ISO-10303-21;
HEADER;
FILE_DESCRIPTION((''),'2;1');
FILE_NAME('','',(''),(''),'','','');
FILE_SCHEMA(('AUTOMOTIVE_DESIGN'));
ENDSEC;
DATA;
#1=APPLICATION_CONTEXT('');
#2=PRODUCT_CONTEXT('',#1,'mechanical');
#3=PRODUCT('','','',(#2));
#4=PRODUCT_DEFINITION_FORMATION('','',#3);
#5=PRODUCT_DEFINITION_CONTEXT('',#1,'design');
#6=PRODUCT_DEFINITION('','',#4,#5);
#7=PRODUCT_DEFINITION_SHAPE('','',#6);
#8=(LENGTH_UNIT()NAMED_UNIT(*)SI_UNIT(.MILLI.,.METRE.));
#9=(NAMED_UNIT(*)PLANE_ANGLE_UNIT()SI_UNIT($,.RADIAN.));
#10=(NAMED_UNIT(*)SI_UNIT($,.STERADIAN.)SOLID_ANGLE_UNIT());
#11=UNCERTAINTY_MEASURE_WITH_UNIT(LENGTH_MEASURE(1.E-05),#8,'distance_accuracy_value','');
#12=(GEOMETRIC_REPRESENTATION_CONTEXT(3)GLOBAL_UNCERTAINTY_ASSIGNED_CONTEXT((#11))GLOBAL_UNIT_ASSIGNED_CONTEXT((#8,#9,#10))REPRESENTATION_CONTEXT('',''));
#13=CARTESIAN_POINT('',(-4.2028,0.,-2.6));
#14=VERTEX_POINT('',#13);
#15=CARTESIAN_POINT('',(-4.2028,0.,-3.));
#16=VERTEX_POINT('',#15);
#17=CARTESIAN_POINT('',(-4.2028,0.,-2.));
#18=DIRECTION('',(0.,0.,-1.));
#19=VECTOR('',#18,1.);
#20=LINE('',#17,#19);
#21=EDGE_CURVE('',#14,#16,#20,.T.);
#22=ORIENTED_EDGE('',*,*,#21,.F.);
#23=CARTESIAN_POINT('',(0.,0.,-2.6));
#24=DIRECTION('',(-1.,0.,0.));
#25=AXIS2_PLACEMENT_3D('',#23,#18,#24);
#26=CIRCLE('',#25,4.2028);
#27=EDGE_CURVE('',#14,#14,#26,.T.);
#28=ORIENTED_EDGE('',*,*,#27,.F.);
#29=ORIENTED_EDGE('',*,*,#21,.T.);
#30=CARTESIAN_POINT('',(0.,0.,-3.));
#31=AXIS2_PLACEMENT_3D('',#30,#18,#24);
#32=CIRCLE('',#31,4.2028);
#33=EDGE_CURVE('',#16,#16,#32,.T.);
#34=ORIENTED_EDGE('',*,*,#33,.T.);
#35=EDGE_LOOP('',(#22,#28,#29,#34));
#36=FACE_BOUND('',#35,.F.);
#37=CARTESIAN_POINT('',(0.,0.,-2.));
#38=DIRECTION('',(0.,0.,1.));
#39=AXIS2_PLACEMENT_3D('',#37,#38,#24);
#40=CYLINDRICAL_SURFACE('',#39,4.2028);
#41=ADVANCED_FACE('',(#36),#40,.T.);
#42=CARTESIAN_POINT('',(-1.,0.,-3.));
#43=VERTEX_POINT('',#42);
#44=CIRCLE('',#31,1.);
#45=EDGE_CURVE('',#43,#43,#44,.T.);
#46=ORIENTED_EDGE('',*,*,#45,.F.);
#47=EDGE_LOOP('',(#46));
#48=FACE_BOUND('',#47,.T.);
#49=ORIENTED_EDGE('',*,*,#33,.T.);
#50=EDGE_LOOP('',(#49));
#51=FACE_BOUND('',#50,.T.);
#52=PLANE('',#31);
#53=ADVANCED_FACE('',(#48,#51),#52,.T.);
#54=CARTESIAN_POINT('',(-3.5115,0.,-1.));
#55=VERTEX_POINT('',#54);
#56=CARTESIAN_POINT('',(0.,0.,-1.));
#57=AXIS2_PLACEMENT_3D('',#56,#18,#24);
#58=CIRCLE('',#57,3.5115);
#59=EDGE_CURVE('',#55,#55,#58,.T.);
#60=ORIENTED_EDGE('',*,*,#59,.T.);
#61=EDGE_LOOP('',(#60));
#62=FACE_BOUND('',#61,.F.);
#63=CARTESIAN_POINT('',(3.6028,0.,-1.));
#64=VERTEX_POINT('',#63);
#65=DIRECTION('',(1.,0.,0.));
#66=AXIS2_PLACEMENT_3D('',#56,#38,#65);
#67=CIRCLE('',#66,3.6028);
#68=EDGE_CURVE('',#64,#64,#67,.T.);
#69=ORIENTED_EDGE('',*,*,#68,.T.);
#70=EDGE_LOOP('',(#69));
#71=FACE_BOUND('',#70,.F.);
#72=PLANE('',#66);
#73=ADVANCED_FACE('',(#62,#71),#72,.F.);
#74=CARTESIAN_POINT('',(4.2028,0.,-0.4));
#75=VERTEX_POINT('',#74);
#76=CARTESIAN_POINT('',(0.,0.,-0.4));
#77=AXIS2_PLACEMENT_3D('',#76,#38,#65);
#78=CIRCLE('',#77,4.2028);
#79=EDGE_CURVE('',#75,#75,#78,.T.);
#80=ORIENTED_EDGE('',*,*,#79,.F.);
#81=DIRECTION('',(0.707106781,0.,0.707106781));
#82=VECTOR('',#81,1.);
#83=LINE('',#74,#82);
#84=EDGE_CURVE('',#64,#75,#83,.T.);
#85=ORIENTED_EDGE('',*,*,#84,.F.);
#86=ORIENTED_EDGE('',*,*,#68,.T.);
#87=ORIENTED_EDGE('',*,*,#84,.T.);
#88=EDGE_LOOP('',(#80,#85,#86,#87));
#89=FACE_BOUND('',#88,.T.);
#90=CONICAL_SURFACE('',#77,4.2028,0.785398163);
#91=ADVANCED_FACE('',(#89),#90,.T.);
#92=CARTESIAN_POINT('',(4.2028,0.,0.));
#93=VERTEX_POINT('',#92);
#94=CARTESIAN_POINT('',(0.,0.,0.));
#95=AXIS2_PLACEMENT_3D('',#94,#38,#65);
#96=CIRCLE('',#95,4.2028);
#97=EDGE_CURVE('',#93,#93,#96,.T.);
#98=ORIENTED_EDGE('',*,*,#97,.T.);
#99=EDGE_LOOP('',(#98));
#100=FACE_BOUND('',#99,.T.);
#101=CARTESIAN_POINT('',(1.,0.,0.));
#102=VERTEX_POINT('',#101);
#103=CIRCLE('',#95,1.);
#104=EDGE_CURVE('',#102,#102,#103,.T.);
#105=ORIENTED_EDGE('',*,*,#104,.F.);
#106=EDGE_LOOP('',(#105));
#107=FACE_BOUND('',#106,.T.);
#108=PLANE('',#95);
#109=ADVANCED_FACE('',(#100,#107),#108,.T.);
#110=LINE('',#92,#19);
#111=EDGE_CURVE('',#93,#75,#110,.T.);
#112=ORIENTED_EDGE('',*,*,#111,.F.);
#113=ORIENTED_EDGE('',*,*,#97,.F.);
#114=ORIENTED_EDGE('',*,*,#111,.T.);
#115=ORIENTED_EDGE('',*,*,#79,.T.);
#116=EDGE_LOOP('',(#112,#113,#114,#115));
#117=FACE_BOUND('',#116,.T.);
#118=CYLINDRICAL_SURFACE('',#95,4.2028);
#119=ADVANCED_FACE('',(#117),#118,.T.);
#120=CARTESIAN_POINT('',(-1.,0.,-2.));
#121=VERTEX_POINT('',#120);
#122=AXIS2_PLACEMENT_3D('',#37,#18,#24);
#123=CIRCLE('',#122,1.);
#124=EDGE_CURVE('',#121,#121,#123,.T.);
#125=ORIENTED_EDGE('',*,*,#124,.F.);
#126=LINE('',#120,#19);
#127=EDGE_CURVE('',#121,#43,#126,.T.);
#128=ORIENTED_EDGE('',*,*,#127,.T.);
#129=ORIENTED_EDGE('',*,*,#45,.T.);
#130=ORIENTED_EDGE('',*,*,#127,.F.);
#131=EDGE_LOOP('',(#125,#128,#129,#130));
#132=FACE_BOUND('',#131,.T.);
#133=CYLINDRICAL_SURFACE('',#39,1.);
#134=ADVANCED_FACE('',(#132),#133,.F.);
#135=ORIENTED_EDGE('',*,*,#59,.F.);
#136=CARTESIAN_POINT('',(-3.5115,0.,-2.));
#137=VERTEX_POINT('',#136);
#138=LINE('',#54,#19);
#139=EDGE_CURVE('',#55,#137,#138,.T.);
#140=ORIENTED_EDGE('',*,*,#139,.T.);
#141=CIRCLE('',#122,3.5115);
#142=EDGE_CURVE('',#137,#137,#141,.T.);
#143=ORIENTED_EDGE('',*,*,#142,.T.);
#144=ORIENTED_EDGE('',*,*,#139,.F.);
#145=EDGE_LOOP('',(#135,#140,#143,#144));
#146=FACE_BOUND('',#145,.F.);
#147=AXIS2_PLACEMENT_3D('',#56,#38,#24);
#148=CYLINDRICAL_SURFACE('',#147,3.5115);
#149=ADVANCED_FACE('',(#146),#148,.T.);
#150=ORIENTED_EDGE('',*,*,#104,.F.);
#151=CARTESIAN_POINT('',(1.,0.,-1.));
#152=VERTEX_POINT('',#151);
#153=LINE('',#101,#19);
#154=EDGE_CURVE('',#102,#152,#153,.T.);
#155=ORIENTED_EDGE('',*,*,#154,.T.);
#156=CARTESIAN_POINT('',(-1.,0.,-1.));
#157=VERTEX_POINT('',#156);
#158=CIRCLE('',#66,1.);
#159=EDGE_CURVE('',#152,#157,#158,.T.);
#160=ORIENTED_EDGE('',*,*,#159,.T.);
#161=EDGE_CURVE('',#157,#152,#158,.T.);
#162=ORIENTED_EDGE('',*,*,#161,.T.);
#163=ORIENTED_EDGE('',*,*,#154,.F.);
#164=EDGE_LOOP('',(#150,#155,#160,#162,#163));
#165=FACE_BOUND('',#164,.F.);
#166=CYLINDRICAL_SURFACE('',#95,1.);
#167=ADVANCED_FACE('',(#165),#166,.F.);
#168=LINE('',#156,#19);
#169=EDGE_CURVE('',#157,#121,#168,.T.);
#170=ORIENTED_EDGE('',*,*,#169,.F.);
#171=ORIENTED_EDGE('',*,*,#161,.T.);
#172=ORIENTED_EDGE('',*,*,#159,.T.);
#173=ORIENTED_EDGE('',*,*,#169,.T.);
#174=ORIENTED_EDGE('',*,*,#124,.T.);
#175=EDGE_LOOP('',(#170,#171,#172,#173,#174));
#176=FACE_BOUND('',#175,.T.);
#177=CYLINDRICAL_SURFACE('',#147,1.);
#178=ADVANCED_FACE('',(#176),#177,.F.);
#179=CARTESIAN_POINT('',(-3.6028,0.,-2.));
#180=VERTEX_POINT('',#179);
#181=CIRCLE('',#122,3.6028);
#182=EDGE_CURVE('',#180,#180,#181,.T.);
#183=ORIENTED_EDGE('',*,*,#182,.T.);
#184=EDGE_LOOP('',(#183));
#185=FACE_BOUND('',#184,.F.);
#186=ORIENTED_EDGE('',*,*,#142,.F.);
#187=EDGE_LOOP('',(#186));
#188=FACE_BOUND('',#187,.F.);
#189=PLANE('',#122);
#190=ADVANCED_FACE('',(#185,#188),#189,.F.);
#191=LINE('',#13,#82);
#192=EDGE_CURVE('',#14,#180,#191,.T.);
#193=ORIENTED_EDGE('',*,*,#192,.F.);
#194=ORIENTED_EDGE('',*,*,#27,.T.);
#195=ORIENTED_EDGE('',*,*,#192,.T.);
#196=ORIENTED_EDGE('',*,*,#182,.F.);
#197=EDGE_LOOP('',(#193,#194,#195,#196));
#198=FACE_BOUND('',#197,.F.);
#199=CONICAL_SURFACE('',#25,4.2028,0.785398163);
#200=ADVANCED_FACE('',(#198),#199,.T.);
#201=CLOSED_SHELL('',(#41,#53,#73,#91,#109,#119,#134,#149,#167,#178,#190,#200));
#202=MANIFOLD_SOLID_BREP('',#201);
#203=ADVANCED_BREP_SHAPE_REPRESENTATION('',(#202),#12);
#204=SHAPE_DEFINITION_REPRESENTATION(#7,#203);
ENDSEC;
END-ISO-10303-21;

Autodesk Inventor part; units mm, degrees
ref_plane "YZ Plane" through (0, 0, 0) normal (1, 0, 0) x (0, 1, 0)
ref_plane "XZ Plane" through (0, 0, 0) normal (0, 1, 0) x (-1, 0, 0)
sketch "Sketch1" plane through (0, 0, 0) normal (0, 0, 1) x (1, 0, 0)
  line L0 (7.011, 4.2884) -> (7.2242, 4.5036)
  line L1 (9.7459, 1.5804) -> (9.5018, 1.4012)
  line L2 (10.4101, 2.9001) -> (10.3642, 2.6007)
  line L3 (6.7053, 2.2945) -> (6.6103, 2.5821)
  line L4 (9.2149, 4.8291) -> (9.4855, 4.6929)
  circle A0 centre (8.485, 3.042) radius 1
  circle A1 centre (8.485, 3.042) radius 1.9244
  circle A2 centre (0, 0) radius 4.2028
  circle A3 centre (0, 0) radius 1
extrude "Extrusion1" add sketch "Sketch1" against normal blind 1 contours A2
sketch "Sketch2" plane through (0, 0, -1) normal (0, 0, -1) x (-1, 0, 0)
  circle A0 centre (0, 0) radius 4.2028 projected
  circle A1 centre (0, 0) radius 1 projected
  line L0 (-6.5615, 2.8811) -> (-6.56, 3.184) projected
  line L1 (-9.4855, 4.6929) -> (-9.7314, 4.516) projected
  line L2 (-8.945, 1.1673) -> (-8.646, 1.1184) projected
  circle A2 centre (-8.485, 3.042) radius 1 projected
  circle A3 centre (-8.485, 3.042) radius 1.9485
  circle A4 centre (0, 0) radius 3.5115
extrude "Extrusion2" add sketch "Sketch2" along normal blind 1 contours A4
sketch "Sketch3" plane through (0, 0, -2) normal (0, 0, -1) x (-1, 0, 0)
  circle A0 centre (0, 0) radius 4.2028 projected
  circle A1 centre (0, 0) radius 1 projected
  circle A2 centre (0, 0) radius 1 projected
ref_plane "Work Plane1" through (5.485, 0.042, -3) normal (0, 0, -1) x (0, 1, 0)
extrude "Extrusion3" add sketch "Sketch3" along normal up to surface (1 mm away)
chamfer "Chamfer1" distance 0.6 angle 45 2 edges at (4.2028, 0, -2) (-4.2028, 0, -1)
properties part number "koło_pasowe_duze"
